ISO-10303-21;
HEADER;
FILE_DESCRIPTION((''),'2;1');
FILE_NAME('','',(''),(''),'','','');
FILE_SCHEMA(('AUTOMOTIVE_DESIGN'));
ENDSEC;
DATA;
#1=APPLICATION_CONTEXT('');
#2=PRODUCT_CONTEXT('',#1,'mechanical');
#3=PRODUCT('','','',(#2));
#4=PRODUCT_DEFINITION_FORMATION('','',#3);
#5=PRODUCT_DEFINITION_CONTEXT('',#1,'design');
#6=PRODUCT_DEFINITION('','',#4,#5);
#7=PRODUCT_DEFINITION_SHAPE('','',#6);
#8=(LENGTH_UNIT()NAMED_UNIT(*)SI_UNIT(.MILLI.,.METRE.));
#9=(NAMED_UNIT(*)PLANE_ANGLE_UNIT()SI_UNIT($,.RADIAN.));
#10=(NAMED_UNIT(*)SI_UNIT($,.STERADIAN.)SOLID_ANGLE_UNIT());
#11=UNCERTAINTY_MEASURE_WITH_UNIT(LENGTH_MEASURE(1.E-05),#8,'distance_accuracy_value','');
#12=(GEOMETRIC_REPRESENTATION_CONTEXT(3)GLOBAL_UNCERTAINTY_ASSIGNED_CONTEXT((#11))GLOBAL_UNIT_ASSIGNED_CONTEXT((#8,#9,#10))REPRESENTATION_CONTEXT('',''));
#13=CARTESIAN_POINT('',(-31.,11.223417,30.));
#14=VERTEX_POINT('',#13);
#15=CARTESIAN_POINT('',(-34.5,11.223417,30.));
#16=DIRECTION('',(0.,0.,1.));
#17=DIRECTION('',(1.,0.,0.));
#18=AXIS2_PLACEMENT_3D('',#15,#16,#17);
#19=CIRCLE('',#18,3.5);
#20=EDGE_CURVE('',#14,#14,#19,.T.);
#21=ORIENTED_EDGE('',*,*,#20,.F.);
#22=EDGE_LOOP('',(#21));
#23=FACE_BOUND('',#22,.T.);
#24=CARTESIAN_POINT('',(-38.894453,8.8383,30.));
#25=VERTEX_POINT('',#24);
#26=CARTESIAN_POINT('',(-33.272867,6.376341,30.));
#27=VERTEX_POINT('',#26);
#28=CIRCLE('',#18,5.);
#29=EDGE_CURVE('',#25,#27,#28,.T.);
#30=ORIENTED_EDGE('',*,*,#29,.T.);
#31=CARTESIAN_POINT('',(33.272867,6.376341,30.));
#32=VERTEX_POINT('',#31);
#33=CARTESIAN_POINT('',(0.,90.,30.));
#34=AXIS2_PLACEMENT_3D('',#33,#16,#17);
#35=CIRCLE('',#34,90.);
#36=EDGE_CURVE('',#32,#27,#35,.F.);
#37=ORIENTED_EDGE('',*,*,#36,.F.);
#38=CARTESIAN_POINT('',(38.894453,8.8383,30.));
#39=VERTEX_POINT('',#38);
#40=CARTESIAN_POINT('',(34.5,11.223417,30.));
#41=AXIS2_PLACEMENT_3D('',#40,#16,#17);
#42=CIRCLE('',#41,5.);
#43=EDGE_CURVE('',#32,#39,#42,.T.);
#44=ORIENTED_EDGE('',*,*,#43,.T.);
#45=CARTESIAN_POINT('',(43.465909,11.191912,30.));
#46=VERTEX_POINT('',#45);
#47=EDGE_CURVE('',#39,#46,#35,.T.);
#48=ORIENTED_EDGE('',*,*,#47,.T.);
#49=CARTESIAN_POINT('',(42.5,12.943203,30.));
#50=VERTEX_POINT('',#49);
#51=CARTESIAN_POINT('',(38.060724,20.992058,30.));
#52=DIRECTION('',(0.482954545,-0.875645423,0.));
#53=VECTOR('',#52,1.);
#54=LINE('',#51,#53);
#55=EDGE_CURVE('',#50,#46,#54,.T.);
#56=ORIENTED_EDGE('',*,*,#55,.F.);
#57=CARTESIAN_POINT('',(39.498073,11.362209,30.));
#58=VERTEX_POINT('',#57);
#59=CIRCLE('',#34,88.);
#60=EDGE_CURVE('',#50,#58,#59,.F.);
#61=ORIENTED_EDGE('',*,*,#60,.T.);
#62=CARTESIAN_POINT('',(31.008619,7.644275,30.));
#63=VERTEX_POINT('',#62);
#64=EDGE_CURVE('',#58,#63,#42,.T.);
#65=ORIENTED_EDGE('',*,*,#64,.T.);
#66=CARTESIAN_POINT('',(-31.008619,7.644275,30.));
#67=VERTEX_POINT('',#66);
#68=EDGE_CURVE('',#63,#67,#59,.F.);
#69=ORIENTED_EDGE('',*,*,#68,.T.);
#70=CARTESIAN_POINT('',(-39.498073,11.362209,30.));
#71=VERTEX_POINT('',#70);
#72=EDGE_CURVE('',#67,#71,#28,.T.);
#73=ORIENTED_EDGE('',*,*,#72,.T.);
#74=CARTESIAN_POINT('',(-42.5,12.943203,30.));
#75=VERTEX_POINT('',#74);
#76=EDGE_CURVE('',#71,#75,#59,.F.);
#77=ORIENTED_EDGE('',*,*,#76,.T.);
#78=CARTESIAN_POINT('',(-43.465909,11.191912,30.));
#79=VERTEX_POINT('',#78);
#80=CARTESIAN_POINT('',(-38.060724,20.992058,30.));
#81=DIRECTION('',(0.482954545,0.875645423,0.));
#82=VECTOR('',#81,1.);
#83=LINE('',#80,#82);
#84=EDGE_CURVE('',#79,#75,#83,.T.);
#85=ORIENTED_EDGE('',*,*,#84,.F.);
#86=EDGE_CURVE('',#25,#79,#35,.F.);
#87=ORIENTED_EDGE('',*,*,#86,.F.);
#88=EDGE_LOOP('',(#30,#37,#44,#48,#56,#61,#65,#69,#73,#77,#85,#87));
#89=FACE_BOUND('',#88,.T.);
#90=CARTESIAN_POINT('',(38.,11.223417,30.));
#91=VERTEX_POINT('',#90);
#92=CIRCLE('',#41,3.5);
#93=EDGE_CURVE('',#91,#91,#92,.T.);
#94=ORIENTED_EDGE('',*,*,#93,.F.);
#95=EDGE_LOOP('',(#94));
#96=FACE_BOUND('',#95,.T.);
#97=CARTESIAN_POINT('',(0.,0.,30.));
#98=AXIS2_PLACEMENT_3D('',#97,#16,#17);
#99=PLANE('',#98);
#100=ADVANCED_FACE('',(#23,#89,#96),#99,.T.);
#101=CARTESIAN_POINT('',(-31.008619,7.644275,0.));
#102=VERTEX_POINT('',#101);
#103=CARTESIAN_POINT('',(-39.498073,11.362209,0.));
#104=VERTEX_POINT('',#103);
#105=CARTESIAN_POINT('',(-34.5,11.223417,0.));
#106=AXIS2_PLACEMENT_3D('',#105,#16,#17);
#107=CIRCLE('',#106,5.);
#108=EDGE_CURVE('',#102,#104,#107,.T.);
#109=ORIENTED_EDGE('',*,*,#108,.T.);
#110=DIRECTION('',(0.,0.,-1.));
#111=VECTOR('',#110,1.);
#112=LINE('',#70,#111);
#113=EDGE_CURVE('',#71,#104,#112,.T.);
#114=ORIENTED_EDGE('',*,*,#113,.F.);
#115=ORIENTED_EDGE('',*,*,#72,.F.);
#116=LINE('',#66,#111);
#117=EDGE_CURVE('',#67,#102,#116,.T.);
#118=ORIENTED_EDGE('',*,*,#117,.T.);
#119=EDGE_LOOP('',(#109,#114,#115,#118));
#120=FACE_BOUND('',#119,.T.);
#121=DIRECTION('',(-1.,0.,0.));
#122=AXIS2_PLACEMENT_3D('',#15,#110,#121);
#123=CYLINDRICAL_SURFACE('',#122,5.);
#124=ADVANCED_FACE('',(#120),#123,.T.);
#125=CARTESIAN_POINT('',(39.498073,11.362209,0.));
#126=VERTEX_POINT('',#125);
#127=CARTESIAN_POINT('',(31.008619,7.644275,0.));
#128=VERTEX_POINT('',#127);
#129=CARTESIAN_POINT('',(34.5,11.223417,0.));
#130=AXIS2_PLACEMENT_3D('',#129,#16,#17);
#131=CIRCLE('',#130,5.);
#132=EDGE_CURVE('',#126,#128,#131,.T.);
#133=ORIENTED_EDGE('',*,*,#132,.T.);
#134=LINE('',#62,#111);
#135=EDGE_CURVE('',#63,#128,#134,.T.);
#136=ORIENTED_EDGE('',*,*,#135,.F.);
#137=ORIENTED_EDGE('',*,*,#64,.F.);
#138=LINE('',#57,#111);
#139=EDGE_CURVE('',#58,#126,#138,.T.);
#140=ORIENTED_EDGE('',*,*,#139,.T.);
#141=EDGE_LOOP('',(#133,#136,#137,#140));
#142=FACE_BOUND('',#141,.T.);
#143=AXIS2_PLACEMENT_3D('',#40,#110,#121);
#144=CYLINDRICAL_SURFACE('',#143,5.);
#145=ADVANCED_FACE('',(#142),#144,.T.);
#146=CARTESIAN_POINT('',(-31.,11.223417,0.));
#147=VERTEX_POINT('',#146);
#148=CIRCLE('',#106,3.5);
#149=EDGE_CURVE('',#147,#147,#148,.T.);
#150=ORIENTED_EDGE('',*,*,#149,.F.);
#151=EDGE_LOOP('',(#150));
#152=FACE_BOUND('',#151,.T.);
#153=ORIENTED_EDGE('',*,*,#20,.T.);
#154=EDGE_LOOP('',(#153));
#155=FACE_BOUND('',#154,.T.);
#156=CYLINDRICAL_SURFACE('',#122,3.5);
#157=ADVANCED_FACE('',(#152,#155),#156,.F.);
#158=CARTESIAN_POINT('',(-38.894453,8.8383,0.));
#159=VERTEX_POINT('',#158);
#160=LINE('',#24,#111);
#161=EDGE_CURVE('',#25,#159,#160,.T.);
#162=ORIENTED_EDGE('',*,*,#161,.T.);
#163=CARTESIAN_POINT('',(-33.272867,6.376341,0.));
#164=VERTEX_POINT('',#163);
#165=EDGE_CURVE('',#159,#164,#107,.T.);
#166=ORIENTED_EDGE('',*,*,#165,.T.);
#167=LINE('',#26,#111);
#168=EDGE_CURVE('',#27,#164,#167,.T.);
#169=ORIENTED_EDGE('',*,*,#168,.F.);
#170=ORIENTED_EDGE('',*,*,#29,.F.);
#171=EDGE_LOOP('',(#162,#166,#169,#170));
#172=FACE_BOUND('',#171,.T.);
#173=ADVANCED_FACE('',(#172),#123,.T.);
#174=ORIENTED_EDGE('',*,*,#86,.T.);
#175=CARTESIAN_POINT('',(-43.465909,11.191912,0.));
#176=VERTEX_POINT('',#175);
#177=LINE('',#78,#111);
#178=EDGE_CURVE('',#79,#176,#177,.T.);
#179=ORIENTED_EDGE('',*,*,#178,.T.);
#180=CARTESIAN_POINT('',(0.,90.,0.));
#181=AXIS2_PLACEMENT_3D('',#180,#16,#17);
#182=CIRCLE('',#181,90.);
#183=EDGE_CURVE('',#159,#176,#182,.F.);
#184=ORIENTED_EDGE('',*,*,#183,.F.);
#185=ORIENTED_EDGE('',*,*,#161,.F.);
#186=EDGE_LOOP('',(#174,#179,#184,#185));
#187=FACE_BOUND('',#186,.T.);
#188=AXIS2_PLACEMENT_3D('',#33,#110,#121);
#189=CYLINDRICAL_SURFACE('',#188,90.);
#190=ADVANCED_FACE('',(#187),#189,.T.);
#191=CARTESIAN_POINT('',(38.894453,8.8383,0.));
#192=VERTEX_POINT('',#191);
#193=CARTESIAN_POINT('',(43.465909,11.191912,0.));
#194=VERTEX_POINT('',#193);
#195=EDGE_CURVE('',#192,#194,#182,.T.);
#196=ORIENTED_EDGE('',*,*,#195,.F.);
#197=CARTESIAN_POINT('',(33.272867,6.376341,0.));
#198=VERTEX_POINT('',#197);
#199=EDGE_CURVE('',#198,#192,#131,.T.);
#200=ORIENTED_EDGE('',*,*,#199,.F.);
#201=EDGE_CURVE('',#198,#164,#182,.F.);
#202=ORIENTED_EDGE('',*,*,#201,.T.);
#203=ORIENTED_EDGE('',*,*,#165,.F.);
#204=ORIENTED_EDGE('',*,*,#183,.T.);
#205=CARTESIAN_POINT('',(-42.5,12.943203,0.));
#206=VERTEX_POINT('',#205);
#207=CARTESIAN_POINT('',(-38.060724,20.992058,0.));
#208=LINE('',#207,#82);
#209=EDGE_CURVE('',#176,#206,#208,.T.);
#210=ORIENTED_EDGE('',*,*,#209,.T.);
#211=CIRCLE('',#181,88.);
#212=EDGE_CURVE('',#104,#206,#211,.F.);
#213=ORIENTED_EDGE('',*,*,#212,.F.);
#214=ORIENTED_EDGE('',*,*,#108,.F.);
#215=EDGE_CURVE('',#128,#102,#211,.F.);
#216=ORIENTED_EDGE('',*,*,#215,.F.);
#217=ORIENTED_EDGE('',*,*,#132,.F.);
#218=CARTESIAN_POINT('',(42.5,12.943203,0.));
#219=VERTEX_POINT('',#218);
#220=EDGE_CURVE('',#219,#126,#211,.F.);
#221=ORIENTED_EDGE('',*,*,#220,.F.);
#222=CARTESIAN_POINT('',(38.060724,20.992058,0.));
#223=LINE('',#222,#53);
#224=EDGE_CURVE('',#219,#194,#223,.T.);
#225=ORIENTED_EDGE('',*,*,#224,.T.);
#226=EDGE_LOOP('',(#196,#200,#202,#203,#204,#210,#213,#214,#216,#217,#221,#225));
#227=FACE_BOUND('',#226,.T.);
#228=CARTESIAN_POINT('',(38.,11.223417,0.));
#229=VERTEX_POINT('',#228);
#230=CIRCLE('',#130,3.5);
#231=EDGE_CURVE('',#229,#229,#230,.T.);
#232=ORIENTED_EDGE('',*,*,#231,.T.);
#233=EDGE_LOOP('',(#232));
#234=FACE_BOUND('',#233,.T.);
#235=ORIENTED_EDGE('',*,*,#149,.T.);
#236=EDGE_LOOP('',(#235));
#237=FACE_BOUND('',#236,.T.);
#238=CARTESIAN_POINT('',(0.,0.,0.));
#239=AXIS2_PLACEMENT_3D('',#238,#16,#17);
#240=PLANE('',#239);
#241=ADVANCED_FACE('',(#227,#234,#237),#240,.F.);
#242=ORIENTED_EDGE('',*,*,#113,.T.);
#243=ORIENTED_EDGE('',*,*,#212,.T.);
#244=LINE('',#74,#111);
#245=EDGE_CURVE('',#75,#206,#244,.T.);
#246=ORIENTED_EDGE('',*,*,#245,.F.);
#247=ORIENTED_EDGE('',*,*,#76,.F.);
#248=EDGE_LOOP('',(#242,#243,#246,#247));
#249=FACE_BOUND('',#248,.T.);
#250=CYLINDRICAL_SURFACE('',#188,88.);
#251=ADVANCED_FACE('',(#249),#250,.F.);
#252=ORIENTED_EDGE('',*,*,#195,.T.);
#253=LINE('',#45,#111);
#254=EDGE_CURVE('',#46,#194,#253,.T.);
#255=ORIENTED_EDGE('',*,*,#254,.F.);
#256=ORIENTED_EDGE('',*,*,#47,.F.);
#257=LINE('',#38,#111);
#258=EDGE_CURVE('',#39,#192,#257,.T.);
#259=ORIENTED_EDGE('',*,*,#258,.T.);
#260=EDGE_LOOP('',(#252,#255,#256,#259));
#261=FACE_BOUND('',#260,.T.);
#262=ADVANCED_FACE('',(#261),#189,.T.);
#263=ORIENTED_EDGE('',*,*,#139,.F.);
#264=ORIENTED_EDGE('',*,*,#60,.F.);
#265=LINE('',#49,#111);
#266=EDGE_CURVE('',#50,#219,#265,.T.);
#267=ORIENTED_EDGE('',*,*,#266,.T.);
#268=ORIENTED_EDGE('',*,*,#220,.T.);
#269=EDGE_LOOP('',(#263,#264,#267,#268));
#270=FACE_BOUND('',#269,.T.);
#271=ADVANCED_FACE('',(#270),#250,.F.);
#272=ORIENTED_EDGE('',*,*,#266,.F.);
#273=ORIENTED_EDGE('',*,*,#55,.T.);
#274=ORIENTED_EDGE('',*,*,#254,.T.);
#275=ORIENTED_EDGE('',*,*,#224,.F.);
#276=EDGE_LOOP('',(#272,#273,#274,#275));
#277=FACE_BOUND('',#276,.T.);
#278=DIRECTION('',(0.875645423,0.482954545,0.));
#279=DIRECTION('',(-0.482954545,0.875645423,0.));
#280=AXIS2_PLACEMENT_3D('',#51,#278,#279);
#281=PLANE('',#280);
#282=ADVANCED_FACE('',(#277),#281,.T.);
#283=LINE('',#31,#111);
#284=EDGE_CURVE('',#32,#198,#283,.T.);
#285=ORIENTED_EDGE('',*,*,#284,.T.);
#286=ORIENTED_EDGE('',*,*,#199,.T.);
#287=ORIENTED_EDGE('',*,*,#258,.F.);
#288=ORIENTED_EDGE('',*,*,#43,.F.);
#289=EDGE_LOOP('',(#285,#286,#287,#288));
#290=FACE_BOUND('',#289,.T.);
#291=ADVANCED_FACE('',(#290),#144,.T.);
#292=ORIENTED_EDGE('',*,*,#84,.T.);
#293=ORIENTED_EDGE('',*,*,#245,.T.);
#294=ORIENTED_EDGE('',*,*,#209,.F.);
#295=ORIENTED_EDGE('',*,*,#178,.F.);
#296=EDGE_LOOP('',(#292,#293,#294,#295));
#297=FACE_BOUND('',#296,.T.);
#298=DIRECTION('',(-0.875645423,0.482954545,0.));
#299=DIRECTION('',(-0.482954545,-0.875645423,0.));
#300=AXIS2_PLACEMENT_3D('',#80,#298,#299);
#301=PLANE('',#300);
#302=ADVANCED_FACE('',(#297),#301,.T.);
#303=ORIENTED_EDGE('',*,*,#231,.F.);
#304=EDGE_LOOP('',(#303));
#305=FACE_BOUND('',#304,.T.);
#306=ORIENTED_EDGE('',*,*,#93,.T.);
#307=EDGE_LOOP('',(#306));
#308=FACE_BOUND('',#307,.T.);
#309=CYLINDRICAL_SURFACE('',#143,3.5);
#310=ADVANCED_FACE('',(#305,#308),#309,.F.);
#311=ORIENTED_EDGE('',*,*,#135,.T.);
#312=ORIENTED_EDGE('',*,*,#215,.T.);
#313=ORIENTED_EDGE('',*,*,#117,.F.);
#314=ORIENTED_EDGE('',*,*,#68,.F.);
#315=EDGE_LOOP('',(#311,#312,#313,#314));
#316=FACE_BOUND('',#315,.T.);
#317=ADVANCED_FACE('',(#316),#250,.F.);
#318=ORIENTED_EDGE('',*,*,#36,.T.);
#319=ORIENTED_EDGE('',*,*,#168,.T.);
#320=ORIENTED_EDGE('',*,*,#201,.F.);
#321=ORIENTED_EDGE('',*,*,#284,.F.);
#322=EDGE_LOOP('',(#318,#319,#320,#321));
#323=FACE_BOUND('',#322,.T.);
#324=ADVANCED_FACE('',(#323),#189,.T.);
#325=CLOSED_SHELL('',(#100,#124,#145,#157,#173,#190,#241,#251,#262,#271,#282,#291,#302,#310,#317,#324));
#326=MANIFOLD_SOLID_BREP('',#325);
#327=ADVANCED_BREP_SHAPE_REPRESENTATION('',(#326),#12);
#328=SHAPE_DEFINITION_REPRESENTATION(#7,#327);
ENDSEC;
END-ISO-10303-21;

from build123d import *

# Parameters (mm, degrees)
SKETCH1_R           = 3.5
BOSS_EXTRUDE1_DEPTH = 30


with BuildPart() as part:
    # Sketch1 → Boss-Extrude1 (new body)
    with BuildSketch(Plane.XY):
        with BuildLine():
            ThreePointArc((33.272867256, 6.376341239), (36.505813953, 6.6433833), (38.894452917, 8.83830009))
            ThreePointArc((38.894452917, 8.83830009), (41.196992362, 9.982453047), (43.465909091, 11.19191192))
            Line((43.465909091, 11.19191192), (42.5, 12.943202766))
            ThreePointArc((42.5, 12.943202766), (41.006656684, 12.138237192), (39.498073317, 11.362208804))
            ThreePointArc((39.498073317, 11.362208804), (32.494186047, 15.80345107), (31.008619489, 7.644274532))
            ThreePointArc((31.008619489, 7.644274532), (0, 2), (-31.008619489, 7.644274532))
            ThreePointArc((-31.008619489, 7.644274532), (-32.494186047, 15.80345107), (-39.498073317, 11.362208804))
            ThreePointArc((-39.498073317, 11.362208804), (-41.006656684, 12.138237192), (-42.5, 12.943202766))
            Line((-42.5, 12.943202766), (-43.465909091, 11.19191192))
            ThreePointArc((-43.465909091, 11.19191192), (-41.196992362, 9.982453047), (-38.894452917, 8.83830009))
            ThreePointArc((-38.894452917, 8.83830009), (-36.505813953, 6.6433833), (-33.272867256, 6.376341239))
            ThreePointArc((-33.272867256, 6.376341239), (0, 0), (33.272867256, 6.376341239))
        make_face()
        with Locations((-34.5, 11.223417185)):
            Circle(SKETCH1_R, mode=Mode.SUBTRACT)
        with Locations((34.5, 11.223417185)):
            Circle(SKETCH1_R, mode=Mode.SUBTRACT)
    extrude(amount=BOSS_EXTRUDE1_DEPTH)


solid = part.part
